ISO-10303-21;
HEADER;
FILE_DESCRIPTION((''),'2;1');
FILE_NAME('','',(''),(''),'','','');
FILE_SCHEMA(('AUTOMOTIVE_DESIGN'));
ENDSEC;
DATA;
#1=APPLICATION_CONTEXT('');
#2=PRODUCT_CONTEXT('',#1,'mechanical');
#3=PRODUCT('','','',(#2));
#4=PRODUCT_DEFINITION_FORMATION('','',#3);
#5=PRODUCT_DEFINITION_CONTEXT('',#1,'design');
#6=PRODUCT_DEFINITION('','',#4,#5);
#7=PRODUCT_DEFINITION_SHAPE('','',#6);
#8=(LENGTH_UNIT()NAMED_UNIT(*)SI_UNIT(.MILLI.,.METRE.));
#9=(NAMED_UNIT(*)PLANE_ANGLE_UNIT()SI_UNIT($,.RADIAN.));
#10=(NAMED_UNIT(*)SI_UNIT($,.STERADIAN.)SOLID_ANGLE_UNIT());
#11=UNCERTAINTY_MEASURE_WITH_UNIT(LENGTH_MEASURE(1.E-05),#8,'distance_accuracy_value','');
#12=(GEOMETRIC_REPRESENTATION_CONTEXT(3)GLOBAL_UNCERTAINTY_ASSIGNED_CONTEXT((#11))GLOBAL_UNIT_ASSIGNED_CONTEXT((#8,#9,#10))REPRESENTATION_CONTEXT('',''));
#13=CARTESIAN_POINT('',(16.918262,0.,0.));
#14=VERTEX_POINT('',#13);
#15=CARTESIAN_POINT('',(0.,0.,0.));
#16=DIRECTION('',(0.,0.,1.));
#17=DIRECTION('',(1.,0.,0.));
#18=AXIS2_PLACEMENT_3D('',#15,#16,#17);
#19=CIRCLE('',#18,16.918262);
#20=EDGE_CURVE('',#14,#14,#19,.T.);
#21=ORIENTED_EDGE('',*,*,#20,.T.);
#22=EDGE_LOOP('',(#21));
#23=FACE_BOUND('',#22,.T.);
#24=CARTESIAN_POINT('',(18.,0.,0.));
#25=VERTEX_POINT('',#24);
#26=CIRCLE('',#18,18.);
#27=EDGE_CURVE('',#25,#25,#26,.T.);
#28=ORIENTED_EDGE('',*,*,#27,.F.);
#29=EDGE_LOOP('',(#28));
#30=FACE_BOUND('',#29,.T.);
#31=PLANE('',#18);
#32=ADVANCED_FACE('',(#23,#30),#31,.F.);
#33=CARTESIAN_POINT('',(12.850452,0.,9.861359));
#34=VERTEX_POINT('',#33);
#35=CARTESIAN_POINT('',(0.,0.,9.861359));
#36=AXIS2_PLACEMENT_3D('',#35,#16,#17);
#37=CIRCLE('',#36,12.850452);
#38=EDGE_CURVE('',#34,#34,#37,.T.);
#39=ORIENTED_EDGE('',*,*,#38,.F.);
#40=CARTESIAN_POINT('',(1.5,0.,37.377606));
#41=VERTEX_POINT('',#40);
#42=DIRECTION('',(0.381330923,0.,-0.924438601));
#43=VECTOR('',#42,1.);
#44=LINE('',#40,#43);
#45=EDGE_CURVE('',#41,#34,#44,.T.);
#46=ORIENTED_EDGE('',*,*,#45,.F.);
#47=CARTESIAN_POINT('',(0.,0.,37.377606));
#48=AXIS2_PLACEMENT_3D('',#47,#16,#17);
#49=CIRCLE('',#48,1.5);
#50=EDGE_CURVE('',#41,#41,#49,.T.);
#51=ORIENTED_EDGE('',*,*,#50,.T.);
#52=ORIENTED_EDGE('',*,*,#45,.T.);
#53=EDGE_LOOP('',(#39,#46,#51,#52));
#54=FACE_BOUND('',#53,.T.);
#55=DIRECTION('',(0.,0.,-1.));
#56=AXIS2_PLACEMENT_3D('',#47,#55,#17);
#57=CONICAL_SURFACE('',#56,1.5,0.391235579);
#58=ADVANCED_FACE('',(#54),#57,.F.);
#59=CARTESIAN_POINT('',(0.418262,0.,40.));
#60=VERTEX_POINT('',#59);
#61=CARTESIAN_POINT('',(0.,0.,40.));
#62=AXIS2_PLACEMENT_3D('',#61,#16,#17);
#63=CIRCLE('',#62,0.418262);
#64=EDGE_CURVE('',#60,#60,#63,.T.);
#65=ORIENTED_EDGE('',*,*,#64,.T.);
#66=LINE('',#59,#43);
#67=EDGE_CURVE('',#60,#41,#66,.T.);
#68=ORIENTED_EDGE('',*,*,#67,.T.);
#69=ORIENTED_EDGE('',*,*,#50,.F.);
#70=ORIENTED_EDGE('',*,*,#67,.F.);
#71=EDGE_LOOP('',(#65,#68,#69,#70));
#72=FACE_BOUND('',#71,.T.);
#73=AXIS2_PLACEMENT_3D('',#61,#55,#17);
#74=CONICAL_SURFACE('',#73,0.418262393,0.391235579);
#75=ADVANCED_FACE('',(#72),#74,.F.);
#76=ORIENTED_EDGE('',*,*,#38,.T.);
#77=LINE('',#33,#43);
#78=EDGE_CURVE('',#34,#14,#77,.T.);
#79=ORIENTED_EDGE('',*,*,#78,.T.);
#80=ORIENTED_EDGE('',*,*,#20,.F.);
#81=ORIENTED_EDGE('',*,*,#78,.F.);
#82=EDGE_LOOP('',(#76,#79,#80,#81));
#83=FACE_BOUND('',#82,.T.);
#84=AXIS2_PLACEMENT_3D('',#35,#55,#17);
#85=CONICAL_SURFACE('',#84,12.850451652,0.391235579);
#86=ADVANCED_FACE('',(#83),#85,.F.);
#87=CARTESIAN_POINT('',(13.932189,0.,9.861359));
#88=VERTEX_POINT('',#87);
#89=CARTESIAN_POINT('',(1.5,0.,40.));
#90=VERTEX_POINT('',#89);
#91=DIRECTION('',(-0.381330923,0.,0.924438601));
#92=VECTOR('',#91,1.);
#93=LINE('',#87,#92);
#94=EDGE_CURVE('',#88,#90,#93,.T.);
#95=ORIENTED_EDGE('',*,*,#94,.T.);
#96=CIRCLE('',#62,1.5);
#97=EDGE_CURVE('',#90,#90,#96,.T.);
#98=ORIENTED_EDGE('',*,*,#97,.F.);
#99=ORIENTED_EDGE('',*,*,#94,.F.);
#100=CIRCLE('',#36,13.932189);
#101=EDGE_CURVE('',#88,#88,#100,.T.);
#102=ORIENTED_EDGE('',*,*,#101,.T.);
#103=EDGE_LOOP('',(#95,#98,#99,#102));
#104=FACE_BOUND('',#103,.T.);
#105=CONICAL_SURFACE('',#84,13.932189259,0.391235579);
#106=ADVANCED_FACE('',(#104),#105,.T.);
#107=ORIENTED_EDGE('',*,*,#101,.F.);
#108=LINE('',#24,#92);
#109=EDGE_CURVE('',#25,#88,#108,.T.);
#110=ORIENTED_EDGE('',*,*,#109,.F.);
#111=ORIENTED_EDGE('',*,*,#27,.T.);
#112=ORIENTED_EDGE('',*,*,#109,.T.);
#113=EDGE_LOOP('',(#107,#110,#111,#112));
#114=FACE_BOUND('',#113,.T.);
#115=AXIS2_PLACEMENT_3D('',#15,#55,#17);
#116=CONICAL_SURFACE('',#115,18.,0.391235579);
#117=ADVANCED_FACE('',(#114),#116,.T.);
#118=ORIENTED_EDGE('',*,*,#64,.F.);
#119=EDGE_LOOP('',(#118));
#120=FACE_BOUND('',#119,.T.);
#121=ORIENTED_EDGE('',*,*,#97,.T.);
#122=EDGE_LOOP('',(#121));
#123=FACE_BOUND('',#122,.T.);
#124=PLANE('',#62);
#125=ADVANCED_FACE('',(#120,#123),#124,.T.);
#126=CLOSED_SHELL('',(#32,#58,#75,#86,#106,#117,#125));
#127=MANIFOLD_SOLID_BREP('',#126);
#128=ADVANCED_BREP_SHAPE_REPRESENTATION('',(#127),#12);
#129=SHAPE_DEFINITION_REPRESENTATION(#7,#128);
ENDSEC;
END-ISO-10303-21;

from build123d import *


with BuildPart() as f1:
    # F0 (on Front) → F1 (revolve)
    with BuildSketch(Plane.XZ):
        Polygon((12.8504516519, 9.8613593727), (16.9182623932, 0), (18, 0), (13.9321892587, 9.8613593727), align=None)
        Polygon((1.5, 40), (1.5, 37.3776058017), (12.8504516519, 9.8613593727), (13.9321892587, 9.8613593727), align=None)
        Polygon((0.4182623932, 40), (1.5, 37.3776058017), (1.5, 40), align=None)
    revolve(axis=Axis((0, 0, 20), (0, 0, 1)))


solid = f1.part
